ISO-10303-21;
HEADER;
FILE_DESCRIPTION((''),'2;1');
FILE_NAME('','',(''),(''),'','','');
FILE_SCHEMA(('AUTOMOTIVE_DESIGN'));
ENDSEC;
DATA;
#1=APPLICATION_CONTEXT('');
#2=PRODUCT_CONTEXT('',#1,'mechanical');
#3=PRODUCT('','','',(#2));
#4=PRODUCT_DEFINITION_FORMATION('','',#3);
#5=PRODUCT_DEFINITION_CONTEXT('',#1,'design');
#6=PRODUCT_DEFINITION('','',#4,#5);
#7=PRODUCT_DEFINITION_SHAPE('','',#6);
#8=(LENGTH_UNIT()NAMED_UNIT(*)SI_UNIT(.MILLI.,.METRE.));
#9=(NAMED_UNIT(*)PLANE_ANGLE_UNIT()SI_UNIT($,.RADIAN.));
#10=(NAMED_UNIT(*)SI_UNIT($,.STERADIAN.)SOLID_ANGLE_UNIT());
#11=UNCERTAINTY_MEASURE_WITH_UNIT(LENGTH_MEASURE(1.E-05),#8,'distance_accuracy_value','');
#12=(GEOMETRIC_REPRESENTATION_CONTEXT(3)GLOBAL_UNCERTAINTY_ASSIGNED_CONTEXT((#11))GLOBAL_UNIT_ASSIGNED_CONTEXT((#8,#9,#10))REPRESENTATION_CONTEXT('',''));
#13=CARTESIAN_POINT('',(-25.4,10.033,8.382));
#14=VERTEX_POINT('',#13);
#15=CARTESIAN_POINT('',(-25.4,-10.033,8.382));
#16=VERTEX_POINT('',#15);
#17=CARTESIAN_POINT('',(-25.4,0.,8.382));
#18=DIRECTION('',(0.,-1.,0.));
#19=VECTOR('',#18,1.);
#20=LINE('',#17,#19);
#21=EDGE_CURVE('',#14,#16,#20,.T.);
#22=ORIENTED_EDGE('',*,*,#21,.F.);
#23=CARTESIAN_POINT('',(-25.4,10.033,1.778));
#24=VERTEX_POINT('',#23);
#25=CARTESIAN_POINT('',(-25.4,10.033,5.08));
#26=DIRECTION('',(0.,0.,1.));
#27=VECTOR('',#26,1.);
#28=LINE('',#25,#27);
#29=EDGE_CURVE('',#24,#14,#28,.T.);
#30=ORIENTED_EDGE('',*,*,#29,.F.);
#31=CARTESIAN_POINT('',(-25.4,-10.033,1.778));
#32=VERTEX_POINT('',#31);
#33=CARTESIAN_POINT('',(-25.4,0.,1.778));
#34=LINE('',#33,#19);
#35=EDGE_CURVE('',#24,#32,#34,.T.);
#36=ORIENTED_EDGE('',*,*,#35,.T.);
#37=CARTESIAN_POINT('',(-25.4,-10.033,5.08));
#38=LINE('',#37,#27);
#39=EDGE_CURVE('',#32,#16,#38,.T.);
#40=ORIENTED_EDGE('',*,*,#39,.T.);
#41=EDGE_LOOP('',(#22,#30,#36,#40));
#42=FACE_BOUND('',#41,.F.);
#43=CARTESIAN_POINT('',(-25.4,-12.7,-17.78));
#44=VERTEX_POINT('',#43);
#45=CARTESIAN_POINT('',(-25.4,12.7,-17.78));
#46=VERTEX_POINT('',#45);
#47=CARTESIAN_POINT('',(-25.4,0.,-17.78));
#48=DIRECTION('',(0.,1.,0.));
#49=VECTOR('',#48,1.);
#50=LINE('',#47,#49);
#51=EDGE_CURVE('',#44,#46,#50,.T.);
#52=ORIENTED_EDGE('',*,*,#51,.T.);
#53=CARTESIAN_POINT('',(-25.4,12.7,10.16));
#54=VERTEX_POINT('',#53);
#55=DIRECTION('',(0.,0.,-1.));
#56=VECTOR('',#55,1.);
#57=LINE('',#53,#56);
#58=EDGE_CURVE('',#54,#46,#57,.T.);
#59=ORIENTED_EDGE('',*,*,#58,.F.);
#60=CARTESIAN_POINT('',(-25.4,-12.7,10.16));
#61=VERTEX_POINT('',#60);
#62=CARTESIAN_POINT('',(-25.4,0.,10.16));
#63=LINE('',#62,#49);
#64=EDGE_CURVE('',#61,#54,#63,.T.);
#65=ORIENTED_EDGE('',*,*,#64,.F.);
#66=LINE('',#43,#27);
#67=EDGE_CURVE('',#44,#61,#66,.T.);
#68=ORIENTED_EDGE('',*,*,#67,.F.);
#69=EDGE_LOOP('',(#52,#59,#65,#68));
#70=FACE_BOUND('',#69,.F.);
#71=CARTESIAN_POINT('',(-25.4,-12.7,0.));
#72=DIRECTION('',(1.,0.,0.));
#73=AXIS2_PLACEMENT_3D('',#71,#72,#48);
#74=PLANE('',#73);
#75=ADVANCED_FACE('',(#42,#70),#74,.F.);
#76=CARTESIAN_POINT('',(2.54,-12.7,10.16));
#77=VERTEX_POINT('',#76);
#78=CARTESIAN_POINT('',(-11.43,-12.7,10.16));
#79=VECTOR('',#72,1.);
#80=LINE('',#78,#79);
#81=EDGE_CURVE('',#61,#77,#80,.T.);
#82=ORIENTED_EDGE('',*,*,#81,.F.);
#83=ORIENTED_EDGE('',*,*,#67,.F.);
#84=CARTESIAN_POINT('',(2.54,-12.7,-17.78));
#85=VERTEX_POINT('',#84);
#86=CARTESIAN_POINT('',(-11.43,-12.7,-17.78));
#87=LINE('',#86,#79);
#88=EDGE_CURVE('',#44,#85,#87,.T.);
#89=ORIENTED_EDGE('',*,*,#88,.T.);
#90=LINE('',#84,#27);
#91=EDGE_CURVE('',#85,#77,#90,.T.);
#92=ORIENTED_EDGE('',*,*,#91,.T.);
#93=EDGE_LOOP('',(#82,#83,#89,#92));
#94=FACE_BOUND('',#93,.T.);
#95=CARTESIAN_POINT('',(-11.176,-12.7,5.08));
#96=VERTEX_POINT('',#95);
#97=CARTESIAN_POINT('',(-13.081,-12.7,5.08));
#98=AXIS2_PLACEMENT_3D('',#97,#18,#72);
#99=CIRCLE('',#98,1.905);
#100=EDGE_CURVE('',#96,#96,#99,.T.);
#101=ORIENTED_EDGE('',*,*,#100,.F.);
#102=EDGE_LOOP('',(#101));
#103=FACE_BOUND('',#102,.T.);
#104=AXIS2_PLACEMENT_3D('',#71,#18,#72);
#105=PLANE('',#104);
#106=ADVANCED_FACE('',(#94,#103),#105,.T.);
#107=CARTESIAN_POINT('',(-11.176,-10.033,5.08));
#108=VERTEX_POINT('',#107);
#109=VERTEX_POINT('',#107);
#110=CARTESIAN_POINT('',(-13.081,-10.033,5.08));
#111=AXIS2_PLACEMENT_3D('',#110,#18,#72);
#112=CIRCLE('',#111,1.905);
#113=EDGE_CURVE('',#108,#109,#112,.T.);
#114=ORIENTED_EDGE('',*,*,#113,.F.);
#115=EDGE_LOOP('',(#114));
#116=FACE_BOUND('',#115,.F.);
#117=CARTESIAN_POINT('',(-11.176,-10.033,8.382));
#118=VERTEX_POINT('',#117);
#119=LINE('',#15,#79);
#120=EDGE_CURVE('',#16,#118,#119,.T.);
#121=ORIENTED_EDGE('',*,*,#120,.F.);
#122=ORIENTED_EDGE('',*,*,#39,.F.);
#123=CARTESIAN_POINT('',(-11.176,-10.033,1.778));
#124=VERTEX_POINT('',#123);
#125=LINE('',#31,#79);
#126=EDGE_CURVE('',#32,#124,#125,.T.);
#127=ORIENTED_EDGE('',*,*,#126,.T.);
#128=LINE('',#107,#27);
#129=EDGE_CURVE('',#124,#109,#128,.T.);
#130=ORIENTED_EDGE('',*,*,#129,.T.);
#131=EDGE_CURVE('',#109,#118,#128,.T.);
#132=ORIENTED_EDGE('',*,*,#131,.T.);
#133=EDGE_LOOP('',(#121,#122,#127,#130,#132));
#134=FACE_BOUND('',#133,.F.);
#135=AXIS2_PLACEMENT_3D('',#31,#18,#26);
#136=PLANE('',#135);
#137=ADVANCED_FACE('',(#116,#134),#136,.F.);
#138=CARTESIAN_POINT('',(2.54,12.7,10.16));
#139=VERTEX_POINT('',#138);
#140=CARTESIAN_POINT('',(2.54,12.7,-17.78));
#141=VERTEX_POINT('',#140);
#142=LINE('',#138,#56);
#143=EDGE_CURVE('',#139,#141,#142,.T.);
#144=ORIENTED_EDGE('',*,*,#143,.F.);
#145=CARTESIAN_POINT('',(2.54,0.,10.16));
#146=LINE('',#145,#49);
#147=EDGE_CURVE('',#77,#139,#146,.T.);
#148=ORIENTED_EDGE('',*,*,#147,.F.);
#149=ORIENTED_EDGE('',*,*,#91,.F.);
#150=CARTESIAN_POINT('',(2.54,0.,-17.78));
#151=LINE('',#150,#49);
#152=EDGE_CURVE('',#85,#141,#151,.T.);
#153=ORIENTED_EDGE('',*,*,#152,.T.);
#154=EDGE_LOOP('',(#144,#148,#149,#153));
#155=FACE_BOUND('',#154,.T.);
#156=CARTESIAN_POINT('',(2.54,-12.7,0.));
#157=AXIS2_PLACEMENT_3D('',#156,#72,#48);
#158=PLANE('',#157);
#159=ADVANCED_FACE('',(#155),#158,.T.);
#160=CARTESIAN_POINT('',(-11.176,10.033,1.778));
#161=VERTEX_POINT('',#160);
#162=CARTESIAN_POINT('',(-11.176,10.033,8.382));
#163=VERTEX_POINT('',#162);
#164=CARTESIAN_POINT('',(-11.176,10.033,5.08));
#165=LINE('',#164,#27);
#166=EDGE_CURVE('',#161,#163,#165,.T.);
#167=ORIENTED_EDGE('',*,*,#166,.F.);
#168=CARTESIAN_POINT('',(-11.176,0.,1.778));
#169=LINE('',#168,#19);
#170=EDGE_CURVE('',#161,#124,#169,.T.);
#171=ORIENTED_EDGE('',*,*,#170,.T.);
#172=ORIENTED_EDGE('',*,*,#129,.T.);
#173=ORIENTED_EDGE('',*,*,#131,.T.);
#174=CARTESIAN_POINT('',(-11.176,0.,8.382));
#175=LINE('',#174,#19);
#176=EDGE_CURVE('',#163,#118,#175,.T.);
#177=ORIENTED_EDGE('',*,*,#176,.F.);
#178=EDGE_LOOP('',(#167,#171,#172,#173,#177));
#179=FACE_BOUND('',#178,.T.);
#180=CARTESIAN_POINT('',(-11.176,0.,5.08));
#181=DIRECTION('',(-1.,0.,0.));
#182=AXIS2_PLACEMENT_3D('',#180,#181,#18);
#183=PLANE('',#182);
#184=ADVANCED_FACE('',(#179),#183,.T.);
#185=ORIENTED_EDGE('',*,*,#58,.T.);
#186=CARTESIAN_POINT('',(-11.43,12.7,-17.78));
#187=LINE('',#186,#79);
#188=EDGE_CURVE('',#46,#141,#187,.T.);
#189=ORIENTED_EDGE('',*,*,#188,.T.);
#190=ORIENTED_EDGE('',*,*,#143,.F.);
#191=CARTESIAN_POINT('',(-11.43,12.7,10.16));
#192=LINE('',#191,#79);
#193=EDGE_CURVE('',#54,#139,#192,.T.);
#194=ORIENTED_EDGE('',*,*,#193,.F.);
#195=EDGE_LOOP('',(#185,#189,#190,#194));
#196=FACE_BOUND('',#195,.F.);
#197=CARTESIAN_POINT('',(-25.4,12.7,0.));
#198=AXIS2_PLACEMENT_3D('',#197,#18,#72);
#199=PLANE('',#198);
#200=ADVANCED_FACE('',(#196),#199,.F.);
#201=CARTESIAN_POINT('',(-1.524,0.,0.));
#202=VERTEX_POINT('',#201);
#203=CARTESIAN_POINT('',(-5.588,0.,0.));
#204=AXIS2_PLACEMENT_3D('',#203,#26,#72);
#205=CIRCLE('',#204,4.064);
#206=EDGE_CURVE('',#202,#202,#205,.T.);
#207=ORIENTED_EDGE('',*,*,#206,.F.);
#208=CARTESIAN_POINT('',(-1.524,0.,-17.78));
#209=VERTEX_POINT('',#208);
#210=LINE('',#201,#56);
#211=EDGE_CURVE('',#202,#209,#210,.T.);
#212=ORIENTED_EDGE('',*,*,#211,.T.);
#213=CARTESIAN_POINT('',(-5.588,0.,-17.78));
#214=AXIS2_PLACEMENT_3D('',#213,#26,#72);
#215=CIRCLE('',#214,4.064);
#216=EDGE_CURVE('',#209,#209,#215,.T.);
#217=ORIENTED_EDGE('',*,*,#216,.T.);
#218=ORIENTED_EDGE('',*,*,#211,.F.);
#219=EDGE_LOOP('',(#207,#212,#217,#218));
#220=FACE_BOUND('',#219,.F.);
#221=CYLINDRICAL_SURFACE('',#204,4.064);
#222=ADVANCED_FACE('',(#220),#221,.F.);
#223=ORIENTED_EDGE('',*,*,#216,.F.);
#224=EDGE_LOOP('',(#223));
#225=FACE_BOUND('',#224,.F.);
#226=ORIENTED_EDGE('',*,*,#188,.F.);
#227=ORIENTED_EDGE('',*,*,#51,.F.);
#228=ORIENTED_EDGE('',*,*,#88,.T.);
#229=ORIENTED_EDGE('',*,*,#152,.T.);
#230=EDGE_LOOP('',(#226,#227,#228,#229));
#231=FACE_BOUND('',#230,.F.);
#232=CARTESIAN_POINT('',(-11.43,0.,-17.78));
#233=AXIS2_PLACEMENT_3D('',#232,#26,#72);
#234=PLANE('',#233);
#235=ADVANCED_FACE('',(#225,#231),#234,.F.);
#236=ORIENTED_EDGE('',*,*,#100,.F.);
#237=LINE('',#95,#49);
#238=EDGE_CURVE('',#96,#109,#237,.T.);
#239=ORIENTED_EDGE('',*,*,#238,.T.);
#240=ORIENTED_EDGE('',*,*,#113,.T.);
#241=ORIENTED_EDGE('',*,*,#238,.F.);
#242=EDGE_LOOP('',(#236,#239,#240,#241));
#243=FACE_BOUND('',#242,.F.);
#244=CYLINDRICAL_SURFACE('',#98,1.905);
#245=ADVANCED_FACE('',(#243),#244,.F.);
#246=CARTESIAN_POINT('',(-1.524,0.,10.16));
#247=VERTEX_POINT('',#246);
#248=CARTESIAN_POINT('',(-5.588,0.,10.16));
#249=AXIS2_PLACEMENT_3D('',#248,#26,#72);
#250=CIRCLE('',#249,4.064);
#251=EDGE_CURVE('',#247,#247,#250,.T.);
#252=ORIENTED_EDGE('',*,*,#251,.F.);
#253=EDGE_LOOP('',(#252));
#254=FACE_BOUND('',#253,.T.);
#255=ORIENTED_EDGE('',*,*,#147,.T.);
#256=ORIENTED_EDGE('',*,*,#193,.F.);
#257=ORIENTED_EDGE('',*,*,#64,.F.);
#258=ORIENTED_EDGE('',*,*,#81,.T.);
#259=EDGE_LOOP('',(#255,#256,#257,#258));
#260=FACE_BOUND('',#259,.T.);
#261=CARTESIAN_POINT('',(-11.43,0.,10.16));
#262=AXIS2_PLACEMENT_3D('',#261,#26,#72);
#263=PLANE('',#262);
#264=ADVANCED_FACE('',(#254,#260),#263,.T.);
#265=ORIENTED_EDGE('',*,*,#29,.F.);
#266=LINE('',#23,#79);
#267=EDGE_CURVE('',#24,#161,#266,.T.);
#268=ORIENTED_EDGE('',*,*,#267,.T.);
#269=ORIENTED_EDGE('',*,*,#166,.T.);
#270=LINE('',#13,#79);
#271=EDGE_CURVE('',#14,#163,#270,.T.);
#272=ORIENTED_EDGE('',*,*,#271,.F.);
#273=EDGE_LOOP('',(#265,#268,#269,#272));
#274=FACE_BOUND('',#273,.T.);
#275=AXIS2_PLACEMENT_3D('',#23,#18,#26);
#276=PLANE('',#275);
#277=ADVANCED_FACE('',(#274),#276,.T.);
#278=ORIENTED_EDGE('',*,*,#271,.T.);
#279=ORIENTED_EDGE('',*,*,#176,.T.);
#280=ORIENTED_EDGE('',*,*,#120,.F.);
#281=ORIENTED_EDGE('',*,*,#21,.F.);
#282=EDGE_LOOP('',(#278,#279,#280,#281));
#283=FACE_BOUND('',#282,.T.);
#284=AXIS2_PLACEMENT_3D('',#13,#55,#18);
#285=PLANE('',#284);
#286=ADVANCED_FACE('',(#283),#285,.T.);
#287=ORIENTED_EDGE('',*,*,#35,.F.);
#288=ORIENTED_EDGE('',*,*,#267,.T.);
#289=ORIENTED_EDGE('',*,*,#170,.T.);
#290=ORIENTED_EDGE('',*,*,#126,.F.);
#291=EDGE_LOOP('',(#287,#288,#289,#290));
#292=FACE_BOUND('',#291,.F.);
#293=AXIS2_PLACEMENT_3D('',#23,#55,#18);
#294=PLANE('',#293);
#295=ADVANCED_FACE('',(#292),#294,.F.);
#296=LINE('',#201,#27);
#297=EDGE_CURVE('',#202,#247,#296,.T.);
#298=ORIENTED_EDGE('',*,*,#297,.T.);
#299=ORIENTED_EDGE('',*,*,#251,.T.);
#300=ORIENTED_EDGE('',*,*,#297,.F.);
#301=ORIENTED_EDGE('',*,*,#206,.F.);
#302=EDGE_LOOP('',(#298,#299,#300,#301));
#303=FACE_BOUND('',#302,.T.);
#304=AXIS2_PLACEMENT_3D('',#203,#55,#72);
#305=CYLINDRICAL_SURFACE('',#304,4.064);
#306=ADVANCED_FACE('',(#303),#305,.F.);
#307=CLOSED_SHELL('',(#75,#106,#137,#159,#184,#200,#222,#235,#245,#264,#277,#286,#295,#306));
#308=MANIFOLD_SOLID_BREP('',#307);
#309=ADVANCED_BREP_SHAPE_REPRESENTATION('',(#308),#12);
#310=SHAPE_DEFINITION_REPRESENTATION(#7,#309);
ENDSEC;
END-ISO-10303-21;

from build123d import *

# Parameters (mm, degrees)
F0_W     = 27.94
F0_H     = 25.4
F0_R     = 4.064
F1_DEPTH = 10.16
F2_W     = 20.066
F2_H     = 6.604
F3_DEPTH = 14.224
F4_R     = 1.905
F5_DEPTH = 3.0226
F6_DEPTH = 17.78


with BuildPart() as f1:
    # F0 (on Top) → F1 (new body)
    with BuildSketch(Plane.XY):
        with Locations((-11.43, 0)):
            Rectangle(F0_W, F0_H)
        with Locations((-5.588, 0)):
            Circle(F0_R, mode=Mode.SUBTRACT)
    extrude(amount=F1_DEPTH)

    # F2 (on face) → F3 (cut)
    with BuildSketch(Plane(origin=(-25.4, 0, 0), x_dir=(0, -1, 0), z_dir=(-1, 0, 0))):
        with Locations((0, 5.08)):
            Rectangle(F2_W, F2_H)
    extrude(amount=-F3_DEPTH, mode=Mode.SUBTRACT)

    # F4 (on face) → F5 (cut)
    with BuildSketch(Plane.XZ.offset(12.7)):
        with Locations((-13.081, 5.08)):
            Circle(F4_R)
    extrude(amount=-F5_DEPTH, mode=Mode.SUBTRACT)

    # F0 (on Top) → F6 (join)
    with BuildSketch(Plane.XY):
        with Locations((-11.43, 0)):
            Rectangle(F0_W, F0_H)
        with Locations((-5.588, 0)):
            Circle(F0_R, mode=Mode.SUBTRACT)
    extrude(amount=-F6_DEPTH)


solid = f1.part
